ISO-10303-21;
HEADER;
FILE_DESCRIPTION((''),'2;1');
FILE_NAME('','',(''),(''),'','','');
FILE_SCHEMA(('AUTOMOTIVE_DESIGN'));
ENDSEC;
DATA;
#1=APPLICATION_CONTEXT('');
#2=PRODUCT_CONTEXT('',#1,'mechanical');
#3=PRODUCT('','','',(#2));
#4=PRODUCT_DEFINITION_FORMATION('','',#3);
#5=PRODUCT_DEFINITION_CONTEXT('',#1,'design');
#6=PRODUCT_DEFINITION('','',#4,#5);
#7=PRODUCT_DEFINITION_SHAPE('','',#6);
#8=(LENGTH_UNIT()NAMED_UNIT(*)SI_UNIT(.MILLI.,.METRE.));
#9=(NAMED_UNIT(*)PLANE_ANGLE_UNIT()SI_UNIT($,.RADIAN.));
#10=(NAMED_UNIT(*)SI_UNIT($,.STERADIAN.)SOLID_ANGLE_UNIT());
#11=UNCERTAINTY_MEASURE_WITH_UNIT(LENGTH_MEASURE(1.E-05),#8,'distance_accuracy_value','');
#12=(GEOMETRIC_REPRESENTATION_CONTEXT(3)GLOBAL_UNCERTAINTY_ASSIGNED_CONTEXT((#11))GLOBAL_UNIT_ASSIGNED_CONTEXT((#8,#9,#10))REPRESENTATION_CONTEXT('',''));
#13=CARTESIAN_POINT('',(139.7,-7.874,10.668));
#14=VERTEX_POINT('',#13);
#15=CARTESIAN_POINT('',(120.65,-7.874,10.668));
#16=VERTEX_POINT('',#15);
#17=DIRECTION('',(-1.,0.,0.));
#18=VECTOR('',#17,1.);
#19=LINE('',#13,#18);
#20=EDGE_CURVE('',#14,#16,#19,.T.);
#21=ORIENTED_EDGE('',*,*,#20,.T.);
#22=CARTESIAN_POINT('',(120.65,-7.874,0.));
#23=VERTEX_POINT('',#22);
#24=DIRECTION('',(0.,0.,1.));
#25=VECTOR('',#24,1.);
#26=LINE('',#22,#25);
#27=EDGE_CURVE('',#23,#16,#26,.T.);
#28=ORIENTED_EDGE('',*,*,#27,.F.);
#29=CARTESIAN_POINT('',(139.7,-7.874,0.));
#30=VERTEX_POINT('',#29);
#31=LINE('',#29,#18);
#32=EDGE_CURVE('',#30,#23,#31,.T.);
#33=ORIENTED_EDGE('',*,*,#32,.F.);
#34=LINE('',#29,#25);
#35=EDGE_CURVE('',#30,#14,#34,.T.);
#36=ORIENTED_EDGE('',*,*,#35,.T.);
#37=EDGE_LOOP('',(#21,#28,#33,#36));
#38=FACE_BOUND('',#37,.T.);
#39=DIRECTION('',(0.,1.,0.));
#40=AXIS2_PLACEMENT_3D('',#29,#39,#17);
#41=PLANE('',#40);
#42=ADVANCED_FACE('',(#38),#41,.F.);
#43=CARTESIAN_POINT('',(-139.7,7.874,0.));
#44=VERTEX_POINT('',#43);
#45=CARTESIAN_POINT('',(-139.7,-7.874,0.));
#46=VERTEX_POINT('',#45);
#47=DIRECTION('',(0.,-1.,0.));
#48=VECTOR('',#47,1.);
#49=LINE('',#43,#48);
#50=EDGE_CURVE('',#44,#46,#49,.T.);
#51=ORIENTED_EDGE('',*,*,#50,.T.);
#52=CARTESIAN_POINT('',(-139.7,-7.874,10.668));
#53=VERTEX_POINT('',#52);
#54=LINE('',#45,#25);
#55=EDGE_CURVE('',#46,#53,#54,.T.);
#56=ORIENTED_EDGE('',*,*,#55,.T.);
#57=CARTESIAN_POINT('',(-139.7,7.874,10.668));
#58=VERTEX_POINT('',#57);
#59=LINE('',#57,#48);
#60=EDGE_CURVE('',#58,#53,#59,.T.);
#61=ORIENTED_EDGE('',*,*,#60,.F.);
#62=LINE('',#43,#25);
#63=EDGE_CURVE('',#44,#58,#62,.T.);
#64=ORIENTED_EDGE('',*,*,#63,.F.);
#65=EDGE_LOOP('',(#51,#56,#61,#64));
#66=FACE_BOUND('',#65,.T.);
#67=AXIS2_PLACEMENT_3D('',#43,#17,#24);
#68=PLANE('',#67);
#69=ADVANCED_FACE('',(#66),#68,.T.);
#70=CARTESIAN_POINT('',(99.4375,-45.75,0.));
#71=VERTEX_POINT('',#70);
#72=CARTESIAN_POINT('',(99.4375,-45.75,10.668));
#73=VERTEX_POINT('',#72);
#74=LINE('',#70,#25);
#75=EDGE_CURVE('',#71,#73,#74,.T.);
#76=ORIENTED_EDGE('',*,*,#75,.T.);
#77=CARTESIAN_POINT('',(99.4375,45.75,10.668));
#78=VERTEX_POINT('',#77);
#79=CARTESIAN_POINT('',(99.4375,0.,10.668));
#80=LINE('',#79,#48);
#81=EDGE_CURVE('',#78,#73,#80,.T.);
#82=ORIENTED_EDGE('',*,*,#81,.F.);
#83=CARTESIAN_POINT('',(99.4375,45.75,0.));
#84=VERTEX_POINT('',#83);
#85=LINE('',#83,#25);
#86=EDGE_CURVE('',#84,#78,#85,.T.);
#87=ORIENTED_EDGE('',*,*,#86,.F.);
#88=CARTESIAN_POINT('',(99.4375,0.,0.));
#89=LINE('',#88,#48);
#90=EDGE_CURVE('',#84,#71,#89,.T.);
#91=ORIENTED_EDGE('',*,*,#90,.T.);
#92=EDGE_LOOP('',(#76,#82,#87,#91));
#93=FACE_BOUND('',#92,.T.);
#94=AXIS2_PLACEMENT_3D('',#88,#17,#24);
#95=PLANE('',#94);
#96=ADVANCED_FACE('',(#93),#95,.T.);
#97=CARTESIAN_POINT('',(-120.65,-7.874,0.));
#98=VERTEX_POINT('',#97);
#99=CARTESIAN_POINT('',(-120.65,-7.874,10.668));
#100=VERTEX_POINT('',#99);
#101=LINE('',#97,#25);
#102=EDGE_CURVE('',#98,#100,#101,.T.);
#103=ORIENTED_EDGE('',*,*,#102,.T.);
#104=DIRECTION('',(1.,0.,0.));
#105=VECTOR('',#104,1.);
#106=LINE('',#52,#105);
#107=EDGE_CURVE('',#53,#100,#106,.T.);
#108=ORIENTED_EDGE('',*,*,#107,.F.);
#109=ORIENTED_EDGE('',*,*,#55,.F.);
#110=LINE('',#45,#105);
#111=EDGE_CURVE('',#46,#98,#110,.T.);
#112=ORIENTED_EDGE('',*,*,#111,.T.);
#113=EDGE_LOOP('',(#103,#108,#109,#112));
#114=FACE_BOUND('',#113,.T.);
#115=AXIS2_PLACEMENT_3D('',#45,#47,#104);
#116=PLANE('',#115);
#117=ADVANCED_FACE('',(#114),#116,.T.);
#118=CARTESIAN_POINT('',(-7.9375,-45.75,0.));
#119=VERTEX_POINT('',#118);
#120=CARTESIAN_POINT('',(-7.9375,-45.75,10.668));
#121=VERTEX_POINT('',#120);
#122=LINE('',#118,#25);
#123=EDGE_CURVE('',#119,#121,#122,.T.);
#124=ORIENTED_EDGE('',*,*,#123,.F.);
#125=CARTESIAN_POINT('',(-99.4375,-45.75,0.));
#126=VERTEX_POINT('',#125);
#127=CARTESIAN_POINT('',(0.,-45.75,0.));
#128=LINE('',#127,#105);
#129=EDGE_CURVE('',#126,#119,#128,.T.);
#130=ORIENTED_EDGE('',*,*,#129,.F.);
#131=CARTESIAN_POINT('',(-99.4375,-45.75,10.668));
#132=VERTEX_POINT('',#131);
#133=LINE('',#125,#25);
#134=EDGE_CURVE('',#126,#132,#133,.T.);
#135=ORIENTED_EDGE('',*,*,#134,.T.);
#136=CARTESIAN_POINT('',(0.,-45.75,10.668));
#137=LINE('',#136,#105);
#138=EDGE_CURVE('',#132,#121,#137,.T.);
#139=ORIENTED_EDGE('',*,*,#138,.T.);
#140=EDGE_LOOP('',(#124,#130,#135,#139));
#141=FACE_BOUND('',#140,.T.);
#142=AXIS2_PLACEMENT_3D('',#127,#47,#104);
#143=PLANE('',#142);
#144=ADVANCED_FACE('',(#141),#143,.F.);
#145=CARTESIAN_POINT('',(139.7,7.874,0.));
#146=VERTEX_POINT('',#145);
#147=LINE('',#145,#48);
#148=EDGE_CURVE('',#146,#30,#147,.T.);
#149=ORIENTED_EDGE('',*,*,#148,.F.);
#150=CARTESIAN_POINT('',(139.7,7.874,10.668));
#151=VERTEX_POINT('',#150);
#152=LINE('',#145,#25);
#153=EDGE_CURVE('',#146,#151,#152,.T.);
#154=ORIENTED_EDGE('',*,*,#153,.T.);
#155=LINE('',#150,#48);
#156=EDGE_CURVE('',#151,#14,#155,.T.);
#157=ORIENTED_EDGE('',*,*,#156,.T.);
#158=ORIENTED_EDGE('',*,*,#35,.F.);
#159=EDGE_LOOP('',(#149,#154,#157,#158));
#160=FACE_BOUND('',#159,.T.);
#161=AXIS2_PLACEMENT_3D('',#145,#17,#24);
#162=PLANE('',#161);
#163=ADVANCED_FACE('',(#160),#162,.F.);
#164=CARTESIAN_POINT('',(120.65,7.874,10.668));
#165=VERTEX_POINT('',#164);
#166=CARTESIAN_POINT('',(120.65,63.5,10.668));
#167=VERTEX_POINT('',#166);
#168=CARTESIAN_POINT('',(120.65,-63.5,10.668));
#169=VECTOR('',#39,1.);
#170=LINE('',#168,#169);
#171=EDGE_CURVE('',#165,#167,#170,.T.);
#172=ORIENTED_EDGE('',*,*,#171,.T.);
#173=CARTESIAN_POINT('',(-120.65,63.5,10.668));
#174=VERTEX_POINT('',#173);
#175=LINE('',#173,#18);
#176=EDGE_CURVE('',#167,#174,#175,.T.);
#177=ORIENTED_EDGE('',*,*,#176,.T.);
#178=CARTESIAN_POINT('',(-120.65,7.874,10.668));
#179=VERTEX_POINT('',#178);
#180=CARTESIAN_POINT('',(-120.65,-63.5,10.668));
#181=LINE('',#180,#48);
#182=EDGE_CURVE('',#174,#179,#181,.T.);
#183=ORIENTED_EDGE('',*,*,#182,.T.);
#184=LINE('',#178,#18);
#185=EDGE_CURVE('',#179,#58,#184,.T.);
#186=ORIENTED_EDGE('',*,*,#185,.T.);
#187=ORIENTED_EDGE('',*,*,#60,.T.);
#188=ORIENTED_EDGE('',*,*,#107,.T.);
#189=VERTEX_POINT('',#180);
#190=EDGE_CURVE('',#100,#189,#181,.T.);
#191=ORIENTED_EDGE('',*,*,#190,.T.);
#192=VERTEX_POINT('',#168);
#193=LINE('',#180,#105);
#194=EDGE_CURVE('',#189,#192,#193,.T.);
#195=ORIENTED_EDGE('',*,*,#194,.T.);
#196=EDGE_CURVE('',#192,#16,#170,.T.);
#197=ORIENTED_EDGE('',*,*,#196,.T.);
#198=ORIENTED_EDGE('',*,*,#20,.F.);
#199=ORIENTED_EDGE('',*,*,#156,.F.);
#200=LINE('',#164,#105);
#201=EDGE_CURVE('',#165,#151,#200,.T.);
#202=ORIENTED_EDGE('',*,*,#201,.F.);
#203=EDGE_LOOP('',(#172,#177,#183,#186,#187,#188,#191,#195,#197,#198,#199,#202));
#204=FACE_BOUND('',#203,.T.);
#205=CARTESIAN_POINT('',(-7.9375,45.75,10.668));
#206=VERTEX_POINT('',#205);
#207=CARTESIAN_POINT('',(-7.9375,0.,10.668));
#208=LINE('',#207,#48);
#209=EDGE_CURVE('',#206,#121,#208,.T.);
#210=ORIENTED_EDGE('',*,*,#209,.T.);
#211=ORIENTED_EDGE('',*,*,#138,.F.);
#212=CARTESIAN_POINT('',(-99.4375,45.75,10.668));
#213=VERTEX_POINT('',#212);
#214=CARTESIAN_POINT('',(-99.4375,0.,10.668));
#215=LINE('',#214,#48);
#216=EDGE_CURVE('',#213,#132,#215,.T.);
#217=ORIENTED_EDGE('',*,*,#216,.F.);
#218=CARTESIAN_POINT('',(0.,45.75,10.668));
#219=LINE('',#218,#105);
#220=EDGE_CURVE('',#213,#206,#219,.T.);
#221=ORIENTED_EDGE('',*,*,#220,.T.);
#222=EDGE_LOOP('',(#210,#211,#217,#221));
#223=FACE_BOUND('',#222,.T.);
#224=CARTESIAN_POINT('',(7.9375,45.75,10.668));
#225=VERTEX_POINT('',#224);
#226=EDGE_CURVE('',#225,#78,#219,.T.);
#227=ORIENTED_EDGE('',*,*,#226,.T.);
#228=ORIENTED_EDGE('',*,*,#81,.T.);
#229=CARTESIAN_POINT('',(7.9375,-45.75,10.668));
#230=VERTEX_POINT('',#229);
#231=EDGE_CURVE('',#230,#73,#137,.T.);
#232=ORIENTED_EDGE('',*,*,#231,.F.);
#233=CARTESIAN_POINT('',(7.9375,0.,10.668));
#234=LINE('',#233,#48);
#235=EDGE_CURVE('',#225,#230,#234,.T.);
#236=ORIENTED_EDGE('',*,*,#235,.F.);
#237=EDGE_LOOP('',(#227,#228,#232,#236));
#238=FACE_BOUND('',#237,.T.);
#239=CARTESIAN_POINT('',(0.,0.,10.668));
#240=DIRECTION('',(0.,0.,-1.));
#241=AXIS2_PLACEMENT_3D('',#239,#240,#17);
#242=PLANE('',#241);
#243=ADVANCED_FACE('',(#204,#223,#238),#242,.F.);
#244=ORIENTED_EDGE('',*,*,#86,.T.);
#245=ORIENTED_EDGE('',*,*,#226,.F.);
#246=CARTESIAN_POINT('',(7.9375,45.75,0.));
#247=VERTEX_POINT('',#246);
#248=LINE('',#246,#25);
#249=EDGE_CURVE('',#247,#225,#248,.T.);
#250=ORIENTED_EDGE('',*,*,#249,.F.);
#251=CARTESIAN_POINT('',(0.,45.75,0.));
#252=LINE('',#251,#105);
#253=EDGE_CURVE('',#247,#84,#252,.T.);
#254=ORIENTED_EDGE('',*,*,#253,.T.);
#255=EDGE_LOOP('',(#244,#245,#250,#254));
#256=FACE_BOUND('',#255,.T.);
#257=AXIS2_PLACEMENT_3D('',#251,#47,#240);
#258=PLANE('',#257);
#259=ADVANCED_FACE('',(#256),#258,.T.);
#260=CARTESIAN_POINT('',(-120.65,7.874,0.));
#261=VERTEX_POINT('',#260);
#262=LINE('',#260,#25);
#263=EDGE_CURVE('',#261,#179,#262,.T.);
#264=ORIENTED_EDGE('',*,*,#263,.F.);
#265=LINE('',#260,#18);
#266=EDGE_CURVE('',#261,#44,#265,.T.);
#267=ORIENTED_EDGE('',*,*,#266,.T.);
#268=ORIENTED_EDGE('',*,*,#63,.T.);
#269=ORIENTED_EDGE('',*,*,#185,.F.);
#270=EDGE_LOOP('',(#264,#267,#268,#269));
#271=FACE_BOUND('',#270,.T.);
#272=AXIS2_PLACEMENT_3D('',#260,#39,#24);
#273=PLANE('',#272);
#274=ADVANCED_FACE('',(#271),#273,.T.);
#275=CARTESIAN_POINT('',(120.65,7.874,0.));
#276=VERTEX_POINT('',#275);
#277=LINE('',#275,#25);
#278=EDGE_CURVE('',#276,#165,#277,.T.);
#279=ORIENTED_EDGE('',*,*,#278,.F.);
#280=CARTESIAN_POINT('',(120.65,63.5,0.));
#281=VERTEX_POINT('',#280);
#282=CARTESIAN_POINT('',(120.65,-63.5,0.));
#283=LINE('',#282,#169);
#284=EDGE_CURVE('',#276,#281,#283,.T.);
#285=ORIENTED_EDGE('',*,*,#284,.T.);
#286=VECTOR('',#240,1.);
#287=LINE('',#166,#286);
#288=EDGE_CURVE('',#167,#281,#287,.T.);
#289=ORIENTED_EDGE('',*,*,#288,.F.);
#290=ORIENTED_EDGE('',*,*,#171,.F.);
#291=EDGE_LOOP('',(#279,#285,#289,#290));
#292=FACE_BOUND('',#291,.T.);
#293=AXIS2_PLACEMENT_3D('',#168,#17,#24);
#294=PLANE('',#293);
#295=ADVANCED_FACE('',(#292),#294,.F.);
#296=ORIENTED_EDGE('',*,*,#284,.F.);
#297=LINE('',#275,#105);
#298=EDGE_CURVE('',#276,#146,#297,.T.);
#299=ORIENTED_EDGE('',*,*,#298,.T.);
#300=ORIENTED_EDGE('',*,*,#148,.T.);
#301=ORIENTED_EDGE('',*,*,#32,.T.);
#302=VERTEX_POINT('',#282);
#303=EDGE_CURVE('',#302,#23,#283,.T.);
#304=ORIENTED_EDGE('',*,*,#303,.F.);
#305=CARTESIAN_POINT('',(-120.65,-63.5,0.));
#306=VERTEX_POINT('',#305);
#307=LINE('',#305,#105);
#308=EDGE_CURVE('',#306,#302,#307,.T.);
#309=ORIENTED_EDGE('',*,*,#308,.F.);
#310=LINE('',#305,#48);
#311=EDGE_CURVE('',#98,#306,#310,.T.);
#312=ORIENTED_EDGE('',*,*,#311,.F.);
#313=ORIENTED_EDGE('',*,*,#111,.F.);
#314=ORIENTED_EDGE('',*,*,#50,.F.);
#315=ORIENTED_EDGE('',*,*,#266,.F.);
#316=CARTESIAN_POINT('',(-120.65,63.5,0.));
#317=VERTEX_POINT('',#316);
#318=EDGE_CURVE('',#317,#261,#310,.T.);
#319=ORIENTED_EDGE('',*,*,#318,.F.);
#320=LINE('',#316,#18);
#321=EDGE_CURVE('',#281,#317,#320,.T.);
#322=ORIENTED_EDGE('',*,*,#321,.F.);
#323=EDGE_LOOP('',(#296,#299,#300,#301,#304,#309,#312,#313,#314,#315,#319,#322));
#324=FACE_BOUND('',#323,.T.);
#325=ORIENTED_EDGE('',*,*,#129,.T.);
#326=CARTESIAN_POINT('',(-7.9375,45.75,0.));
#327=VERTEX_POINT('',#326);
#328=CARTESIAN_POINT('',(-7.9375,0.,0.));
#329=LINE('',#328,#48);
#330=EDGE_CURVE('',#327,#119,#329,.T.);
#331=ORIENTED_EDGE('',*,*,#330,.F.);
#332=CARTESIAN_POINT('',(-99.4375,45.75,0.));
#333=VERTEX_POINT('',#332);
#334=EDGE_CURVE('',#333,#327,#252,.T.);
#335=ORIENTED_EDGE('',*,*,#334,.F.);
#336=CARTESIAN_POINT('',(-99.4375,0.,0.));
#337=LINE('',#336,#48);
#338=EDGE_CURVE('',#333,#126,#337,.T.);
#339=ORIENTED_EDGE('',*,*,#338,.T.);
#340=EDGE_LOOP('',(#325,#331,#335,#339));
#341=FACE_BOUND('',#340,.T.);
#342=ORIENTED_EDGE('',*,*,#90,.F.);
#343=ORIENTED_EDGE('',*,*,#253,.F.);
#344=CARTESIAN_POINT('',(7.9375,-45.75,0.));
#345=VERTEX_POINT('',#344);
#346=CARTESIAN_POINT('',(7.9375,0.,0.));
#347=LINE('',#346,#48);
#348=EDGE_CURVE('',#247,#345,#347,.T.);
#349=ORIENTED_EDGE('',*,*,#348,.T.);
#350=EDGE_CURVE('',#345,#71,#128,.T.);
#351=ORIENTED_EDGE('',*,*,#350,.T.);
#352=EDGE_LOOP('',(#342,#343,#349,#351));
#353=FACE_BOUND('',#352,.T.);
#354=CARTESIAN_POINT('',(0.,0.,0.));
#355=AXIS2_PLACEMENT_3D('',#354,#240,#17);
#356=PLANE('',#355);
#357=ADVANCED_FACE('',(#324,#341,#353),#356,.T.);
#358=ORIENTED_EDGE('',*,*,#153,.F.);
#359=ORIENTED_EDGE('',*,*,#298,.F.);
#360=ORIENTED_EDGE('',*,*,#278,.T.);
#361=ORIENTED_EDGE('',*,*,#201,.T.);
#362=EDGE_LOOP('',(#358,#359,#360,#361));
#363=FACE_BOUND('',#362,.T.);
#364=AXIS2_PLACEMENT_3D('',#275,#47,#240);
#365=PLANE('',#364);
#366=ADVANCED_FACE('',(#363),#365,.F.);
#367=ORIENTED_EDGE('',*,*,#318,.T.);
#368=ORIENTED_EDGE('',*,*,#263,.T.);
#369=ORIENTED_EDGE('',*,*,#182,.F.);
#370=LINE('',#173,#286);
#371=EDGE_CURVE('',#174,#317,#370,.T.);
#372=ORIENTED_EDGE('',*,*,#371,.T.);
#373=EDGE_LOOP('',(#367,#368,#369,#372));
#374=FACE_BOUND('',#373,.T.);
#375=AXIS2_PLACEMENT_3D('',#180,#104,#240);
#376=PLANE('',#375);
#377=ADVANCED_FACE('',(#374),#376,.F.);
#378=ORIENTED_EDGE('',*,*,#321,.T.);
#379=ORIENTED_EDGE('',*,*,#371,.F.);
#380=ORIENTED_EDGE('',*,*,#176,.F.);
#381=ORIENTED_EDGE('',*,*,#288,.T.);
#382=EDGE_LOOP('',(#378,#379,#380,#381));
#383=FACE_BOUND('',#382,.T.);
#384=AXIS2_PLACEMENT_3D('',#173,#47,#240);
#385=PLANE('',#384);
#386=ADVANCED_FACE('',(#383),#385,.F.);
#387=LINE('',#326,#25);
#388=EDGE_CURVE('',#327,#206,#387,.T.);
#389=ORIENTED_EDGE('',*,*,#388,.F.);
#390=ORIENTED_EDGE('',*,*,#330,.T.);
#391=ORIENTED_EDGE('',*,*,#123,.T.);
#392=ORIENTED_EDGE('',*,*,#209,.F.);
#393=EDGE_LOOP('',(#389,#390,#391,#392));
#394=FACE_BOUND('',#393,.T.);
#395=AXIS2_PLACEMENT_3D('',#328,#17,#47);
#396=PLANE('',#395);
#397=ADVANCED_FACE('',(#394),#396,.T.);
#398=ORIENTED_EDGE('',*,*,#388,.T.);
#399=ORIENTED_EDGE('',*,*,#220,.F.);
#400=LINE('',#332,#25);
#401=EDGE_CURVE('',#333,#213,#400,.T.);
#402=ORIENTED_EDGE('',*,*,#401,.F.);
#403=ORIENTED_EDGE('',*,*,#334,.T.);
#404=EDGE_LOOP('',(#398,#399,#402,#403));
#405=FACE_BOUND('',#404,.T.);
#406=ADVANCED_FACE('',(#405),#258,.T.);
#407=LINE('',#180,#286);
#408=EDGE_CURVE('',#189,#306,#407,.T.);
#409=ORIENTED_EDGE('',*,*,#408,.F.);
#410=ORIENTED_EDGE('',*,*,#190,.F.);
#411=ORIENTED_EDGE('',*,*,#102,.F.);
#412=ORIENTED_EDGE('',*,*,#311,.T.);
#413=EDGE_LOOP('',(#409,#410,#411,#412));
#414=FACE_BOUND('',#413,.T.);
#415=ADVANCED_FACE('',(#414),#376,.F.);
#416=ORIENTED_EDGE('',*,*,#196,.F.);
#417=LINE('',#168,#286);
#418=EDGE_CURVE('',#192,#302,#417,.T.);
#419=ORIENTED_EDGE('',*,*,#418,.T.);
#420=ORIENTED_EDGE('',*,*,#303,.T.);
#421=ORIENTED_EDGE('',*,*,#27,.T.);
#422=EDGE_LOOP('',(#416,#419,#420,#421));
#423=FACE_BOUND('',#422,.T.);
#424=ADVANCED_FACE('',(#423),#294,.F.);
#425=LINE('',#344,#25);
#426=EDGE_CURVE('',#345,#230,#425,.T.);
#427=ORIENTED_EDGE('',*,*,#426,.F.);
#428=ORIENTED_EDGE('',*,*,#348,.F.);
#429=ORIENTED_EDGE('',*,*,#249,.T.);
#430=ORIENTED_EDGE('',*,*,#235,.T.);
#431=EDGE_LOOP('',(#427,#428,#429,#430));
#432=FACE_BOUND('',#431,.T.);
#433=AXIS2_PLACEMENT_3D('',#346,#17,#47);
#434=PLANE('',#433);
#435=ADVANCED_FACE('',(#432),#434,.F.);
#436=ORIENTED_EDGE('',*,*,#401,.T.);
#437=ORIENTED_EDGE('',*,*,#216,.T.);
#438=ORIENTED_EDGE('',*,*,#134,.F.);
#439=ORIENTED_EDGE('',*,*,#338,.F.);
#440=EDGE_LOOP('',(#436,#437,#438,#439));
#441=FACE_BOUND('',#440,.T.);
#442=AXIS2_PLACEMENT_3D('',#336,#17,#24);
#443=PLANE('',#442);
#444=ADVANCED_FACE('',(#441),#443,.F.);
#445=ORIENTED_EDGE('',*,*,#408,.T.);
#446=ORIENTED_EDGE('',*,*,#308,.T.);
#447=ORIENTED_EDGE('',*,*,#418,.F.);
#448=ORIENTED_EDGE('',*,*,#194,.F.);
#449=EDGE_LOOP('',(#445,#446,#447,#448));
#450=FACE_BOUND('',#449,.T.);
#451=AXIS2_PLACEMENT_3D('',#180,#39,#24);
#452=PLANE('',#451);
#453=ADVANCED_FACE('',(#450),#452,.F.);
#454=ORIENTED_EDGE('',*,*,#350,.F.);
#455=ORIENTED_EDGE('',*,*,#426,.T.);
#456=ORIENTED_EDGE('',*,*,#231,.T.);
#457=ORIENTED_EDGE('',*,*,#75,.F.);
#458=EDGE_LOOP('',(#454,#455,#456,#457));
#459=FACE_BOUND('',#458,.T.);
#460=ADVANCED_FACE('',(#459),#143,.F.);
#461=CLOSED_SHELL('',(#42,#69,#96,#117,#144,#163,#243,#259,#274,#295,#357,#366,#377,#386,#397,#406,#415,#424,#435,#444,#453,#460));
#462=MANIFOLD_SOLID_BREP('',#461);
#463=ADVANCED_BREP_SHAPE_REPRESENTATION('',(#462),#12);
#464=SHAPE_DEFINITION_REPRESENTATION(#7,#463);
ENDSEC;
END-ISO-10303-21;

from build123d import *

# Parameters (mm, degrees)
SKETCH1_W           = 241.3
SKETCH1_H           = 127
BOSS_EXTRUDE1_DEPTH = 10.668
SKETCH3_W           = 91.5
SKETCH3_H           = 91.5
CUT_EXTRUDE1_DEPTH  = 137.757006124
SKETCH4_W           = 19.05
SKETCH4_H           = 15.748
BOSS_EXTRUDE2_DEPTH = 10.668


with BuildPart() as part:
    # Sketch1 → Boss-Extrude1 (new body)
    with BuildSketch(Plane.XY):
        Rectangle(SKETCH1_W, SKETCH1_H)
    extrude(amount=BOSS_EXTRUDE1_DEPTH)

    # Sketch3 → Cut-Extrude1 (cut, through all)
    with BuildSketch(Plane.XY.offset(10.668)):
        with Locations((-53.6875, 0)):
            Rectangle(SKETCH3_W, SKETCH3_H)
        with Locations((53.6875, 0)):
            Rectangle(SKETCH3_W, SKETCH3_H)
    extrude(amount=-CUT_EXTRUDE1_DEPTH, mode=Mode.SUBTRACT)

    # Sketch4 → Boss-Extrude2 (add, through all)
    with BuildSketch(Plane.XY.offset(10.668)):
        with Locations((-130.175, 0)):
            Rectangle(SKETCH4_W, SKETCH4_H)
    boss_extrude2 = extrude(amount=-BOSS_EXTRUDE2_DEPTH)

    # Mirror1: Boss-Extrude2 across plane
    add(boss_extrude2.mirror(Plane(origin=(0, 0, 0), x_dir=(0, 0, 1), z_dir=(1, 0, 0))))


solid = part.part
